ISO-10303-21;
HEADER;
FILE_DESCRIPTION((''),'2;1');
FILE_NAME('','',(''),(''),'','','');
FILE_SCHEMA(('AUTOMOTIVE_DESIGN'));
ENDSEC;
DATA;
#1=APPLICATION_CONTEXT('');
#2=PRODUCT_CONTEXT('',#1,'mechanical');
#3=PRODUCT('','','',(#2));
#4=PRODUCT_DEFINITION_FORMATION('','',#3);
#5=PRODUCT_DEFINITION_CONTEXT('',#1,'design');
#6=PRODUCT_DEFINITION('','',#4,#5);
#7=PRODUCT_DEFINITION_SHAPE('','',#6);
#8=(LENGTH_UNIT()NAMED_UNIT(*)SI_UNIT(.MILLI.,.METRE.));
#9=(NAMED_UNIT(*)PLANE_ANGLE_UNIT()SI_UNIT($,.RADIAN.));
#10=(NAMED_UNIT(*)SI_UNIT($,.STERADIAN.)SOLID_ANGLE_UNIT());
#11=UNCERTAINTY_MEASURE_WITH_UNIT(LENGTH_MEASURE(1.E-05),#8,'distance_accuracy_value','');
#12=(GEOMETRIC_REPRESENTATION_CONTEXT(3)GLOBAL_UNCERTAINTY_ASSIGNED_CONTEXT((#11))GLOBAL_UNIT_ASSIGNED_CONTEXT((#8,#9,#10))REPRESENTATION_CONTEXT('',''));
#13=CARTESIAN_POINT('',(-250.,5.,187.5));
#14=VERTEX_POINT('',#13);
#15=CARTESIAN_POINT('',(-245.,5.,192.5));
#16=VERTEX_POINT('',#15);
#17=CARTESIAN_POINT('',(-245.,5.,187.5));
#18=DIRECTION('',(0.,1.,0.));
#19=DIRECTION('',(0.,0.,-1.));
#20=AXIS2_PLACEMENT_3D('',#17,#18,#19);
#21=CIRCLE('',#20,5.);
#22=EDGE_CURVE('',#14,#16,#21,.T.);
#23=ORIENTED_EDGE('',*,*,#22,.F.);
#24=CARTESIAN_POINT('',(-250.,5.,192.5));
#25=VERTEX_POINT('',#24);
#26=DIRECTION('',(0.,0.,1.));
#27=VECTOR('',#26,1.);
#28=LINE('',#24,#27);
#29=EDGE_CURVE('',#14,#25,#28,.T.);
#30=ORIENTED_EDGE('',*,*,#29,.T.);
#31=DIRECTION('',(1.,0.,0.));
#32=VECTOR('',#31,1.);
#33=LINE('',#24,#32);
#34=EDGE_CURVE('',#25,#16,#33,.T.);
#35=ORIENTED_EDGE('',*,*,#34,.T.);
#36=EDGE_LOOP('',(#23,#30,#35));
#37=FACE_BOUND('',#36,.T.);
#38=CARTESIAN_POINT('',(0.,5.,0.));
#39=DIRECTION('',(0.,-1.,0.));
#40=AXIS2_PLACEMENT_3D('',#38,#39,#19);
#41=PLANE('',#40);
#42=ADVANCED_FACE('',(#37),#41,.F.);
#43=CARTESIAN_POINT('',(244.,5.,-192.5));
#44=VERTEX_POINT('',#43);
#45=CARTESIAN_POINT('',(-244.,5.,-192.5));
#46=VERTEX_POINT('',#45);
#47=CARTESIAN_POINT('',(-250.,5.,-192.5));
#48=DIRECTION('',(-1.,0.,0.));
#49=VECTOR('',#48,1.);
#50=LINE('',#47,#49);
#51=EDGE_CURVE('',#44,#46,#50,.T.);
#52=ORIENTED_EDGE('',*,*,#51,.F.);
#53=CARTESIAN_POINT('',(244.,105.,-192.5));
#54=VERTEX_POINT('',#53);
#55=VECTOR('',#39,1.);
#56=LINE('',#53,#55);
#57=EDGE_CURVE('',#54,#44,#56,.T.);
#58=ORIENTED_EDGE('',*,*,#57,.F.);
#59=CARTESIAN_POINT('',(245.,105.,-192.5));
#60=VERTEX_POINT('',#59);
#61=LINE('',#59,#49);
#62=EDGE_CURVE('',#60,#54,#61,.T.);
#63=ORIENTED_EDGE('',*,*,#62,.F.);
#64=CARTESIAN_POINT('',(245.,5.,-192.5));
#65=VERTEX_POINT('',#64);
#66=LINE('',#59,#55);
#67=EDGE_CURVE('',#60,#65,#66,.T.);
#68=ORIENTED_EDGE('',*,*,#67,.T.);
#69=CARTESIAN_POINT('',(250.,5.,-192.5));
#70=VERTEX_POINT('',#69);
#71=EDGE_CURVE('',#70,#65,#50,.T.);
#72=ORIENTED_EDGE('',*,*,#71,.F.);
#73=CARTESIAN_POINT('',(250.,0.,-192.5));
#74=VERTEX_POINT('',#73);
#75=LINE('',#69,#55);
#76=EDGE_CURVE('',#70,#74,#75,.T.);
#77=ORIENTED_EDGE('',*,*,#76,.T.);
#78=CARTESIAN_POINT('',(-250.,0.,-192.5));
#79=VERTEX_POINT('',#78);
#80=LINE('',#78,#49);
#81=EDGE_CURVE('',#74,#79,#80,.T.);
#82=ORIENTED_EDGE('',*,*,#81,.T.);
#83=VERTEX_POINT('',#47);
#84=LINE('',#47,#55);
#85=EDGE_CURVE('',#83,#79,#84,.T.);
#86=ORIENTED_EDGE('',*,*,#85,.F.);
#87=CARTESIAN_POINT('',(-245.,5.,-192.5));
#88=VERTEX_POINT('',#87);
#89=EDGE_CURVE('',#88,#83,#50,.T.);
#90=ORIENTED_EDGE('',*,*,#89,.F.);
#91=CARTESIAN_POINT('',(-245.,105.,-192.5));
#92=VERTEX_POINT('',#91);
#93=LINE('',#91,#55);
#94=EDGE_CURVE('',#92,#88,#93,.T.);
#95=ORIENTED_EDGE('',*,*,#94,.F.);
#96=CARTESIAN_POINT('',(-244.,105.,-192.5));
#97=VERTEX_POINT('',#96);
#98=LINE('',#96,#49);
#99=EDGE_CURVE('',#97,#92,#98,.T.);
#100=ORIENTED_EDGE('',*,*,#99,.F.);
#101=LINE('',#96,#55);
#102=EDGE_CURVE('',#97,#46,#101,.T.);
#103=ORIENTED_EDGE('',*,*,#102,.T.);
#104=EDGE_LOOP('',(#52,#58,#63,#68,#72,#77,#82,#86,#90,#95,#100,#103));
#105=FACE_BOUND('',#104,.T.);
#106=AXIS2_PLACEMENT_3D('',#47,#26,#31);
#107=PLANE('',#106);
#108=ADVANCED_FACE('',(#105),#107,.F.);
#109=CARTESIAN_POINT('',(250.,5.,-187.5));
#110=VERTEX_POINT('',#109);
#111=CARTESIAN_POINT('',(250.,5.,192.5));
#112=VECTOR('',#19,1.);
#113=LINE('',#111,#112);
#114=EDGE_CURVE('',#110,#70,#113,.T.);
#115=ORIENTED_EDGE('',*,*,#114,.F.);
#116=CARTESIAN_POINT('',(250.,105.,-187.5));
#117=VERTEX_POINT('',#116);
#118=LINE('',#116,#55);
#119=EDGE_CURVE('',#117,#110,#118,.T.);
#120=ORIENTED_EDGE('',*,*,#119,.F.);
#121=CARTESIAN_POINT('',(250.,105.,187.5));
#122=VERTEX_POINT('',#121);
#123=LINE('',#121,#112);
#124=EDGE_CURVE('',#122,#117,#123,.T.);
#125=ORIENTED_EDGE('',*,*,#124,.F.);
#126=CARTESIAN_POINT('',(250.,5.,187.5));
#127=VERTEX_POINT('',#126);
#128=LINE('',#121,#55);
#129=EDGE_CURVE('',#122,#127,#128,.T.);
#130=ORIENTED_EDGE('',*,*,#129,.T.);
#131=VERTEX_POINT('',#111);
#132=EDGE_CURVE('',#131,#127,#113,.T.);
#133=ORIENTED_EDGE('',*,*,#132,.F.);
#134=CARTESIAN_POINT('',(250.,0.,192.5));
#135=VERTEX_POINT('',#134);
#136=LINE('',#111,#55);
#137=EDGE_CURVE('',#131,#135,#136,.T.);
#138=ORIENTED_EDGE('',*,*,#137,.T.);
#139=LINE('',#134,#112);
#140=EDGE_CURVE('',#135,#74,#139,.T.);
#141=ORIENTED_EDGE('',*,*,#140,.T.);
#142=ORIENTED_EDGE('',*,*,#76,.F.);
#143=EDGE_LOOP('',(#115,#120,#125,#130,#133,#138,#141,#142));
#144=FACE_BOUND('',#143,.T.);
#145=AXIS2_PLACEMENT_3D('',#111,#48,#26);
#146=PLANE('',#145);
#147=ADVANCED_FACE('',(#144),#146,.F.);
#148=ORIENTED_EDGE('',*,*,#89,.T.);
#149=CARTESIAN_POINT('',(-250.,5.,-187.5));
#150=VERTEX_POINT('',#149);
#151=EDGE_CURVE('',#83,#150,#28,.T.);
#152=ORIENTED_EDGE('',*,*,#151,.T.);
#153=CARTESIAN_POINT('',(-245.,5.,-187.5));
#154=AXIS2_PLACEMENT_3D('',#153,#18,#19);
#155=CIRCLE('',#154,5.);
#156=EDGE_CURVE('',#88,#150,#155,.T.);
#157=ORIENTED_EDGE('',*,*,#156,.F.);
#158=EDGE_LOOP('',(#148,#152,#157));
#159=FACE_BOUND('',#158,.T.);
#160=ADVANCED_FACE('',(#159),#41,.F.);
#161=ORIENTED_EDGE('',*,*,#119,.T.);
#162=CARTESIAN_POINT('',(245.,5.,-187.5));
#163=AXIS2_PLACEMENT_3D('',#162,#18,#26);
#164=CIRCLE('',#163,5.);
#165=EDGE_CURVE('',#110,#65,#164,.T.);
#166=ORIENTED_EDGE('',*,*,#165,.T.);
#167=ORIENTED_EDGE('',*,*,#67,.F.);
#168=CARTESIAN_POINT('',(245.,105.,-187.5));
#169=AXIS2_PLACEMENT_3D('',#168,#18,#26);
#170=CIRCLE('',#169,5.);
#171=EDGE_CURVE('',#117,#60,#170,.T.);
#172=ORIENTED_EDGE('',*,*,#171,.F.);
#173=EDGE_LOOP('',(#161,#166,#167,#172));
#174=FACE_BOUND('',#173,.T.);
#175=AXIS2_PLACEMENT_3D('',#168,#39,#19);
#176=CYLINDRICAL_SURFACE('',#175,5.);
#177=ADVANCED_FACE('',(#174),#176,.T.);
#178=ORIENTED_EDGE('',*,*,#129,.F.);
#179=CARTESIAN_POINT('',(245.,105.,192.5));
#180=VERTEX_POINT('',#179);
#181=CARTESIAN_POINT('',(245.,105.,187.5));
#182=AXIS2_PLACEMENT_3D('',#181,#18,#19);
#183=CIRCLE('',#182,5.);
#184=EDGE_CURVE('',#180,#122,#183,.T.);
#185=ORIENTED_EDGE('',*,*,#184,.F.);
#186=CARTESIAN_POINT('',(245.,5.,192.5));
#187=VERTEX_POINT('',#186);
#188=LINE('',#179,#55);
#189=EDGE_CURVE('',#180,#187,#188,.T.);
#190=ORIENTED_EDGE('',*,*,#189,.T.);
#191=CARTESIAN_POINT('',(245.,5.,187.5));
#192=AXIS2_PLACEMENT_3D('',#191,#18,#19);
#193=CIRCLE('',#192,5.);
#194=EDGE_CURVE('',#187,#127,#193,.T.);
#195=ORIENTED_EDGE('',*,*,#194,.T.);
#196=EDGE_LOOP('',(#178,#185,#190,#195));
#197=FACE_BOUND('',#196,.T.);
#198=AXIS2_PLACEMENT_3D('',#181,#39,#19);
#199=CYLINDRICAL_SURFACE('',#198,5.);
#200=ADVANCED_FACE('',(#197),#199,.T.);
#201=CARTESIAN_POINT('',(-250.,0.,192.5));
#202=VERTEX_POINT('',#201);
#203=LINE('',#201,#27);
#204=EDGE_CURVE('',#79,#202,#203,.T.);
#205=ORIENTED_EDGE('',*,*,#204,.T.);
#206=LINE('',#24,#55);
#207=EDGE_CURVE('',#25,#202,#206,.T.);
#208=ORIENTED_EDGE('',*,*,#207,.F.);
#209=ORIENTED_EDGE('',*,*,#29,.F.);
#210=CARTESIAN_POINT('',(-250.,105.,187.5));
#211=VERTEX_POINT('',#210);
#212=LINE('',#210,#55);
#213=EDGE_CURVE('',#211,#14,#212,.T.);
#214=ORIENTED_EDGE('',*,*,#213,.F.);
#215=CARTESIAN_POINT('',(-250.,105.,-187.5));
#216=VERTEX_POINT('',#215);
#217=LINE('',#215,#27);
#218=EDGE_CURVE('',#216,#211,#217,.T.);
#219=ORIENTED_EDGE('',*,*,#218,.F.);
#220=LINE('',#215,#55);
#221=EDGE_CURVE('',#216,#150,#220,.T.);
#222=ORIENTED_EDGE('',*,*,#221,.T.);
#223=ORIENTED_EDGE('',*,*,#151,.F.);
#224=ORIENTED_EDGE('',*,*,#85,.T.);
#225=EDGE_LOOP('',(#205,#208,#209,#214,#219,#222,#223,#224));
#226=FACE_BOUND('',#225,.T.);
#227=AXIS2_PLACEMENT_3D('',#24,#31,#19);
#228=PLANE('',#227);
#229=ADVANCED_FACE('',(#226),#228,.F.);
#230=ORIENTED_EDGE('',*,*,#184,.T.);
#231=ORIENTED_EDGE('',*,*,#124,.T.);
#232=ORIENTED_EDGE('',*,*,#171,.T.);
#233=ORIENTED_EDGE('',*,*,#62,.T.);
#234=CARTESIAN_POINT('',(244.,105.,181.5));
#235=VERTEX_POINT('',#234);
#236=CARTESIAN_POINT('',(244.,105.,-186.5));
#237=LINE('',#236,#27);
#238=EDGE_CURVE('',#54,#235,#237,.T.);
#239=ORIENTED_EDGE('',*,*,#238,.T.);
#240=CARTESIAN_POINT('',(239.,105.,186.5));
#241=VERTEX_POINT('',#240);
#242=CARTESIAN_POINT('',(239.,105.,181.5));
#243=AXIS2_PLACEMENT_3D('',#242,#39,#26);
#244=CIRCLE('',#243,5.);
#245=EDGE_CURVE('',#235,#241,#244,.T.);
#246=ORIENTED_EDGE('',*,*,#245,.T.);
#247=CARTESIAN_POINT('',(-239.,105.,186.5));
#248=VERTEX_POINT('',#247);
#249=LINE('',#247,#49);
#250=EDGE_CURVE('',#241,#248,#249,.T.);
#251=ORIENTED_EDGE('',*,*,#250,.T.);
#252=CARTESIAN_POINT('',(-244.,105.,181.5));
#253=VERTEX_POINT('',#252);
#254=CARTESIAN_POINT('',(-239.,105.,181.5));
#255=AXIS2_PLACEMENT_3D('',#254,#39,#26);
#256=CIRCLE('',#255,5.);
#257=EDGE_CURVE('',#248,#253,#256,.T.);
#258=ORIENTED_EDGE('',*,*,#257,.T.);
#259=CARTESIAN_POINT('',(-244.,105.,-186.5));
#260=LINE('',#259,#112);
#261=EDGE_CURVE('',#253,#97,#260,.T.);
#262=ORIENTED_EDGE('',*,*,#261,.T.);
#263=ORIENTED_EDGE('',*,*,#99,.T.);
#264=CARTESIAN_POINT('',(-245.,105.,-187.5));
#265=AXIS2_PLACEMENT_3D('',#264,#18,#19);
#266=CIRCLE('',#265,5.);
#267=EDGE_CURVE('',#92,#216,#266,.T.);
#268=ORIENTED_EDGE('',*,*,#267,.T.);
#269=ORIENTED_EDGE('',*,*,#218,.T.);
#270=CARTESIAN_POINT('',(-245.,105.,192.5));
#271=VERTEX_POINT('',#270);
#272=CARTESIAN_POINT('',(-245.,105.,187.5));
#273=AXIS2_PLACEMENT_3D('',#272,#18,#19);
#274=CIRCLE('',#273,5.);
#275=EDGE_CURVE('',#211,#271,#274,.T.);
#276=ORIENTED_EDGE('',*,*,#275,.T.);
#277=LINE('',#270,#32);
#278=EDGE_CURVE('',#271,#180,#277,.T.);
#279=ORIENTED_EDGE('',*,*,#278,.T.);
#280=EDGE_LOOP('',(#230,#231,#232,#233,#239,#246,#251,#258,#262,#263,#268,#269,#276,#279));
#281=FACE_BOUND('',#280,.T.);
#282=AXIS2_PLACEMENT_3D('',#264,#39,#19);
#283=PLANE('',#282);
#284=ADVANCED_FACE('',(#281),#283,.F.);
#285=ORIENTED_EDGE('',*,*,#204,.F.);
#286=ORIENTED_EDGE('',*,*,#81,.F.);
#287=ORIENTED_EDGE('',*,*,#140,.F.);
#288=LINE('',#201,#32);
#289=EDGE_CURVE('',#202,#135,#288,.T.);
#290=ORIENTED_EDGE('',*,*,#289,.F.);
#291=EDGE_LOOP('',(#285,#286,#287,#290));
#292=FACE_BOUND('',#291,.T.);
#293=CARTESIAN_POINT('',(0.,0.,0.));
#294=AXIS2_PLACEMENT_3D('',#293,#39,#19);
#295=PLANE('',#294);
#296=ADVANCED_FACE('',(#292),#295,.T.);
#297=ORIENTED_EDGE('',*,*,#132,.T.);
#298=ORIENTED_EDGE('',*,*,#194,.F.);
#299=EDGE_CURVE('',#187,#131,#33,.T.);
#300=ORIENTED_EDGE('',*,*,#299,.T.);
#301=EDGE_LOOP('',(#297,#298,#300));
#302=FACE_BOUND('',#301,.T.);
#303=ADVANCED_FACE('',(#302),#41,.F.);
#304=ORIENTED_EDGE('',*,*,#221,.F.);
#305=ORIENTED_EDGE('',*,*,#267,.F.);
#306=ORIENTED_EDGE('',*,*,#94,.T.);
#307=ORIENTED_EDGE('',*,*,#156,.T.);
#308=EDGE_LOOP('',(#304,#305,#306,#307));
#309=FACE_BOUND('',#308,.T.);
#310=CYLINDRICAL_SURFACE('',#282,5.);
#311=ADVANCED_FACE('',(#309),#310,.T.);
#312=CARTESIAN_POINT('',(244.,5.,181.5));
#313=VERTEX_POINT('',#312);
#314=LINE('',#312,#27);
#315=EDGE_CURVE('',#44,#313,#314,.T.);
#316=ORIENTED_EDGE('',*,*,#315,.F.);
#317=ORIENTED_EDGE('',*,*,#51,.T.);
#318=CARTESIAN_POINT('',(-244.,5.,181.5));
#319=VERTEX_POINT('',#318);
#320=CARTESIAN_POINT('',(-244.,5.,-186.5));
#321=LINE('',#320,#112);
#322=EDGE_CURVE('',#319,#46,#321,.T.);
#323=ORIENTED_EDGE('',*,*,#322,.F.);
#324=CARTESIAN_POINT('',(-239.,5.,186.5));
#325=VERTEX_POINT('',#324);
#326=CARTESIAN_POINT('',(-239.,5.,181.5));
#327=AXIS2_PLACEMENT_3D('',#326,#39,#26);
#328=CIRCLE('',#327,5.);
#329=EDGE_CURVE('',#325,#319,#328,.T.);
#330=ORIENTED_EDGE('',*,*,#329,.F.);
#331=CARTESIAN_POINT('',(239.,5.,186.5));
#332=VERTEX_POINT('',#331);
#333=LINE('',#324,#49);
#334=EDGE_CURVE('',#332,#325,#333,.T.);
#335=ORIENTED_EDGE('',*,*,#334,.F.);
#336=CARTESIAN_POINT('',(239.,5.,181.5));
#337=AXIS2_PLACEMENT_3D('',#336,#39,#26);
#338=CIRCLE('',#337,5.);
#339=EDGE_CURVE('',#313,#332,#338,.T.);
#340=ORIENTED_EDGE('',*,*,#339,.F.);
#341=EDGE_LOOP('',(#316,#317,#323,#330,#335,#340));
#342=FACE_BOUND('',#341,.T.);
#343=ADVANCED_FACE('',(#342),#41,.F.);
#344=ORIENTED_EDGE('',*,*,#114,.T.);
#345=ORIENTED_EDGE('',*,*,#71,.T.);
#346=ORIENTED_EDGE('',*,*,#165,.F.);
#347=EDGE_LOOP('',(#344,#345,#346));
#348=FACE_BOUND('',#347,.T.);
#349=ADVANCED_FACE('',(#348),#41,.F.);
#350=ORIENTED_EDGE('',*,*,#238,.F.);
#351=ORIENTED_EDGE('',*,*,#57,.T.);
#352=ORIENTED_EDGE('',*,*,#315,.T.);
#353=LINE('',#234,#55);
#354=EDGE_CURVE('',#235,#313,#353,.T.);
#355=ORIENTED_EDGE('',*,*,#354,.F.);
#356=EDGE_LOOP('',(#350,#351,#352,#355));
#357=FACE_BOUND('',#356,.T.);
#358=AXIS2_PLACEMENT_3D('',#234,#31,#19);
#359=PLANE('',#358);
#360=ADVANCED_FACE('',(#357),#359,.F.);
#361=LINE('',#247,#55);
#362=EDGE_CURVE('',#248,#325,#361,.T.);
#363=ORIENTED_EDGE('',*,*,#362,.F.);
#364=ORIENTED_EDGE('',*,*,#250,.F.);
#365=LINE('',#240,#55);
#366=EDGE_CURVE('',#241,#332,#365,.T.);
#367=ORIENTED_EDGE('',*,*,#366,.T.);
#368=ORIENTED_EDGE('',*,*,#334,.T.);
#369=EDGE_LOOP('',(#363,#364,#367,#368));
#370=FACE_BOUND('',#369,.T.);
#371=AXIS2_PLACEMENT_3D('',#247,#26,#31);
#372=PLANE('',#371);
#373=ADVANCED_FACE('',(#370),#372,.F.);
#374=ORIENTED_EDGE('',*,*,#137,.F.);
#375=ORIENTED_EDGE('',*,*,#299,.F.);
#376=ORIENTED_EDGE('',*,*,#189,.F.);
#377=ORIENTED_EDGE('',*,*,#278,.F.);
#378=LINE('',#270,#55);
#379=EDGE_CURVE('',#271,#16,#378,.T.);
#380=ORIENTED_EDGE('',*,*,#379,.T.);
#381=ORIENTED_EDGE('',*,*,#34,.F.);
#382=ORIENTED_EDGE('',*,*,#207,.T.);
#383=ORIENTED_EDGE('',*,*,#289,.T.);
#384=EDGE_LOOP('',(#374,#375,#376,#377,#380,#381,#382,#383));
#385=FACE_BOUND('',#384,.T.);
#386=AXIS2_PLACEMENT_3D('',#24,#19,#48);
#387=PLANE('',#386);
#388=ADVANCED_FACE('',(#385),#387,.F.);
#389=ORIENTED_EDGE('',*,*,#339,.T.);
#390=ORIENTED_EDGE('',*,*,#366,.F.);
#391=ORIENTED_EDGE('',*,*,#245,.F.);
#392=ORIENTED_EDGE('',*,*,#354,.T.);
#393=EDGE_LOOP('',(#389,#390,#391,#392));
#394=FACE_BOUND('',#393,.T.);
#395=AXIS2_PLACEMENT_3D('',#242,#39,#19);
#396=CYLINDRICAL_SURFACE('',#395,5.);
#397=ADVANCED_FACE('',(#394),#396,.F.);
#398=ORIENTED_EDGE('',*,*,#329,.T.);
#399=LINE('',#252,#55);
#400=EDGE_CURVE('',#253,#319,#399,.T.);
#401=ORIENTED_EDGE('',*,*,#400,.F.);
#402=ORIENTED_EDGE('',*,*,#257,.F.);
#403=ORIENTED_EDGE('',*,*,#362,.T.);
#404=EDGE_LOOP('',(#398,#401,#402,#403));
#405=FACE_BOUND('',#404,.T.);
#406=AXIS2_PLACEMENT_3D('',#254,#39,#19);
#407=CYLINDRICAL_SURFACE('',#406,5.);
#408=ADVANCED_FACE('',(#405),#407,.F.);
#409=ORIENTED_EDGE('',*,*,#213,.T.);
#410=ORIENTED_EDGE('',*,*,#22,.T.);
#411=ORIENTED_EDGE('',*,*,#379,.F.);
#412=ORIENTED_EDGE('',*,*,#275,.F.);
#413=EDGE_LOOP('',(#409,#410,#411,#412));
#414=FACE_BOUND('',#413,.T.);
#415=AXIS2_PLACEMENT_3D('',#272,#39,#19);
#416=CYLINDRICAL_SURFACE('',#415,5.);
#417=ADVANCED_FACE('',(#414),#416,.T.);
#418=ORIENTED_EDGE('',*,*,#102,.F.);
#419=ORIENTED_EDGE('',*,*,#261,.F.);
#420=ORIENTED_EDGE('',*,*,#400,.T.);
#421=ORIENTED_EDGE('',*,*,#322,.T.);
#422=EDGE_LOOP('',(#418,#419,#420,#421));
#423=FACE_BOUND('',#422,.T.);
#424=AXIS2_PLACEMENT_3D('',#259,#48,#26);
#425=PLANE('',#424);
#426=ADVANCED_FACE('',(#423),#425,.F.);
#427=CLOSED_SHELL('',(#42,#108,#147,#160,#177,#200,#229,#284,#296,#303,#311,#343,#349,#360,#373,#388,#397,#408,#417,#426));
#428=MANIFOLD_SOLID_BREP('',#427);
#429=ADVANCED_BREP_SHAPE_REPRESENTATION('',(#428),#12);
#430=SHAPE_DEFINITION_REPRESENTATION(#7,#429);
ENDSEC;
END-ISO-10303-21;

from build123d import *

# Parameters (mm, degrees)
CROQUIS1_W              = 500
CROQUIS1_H              = 385
SALIENTE_EXTRUIR1_DEPTH = 5
SALIENTE_EXTRUIR2_DEPTH = 100


with BuildPart() as part:
    # Croquis1 → Saliente-Extruir1 (new body)
    with BuildSketch(Plane(origin=(0, 0, 0), x_dir=(1, 0, 0), z_dir=(0, 1, 0))):
        Rectangle(CROQUIS1_W, CROQUIS1_H)
    extrude(amount=SALIENTE_EXTRUIR1_DEPTH)

    # Croquis2 → Saliente-Extruir2 (add)
    with BuildSketch(Plane(origin=(0, 5, 0), x_dir=(1, 0, 0), z_dir=(0, 1, 0))):
        with BuildLine():
            Line((-244, 186.5), (-244, -181.5))
            ThreePointArc((-244, -181.5), (-242.535533906, -185.035533906), (-239, -186.5))
            Line((-239, -186.5), (239, -186.5))
            ThreePointArc((239, -186.5), (242.535533906, -185.035533906), (244, -181.5))
            Line((244, -181.5), (244, 186.5))
            Line((244, 186.5), (244, 192.5))
            Line((244, 192.5), (245, 192.5))
            ThreePointArc((245, 192.5), (248.535533906, 191.035533906), (250, 187.5))
            Line((250, 187.5), (250, -187.5))
            ThreePointArc((250, -187.5), (248.535533906, -191.035533906), (245, -192.5))
            Line((245, -192.5), (-245, -192.5))
            ThreePointArc((-245, -192.5), (-248.535533906, -191.035533906), (-250, -187.5))
            Line((-250, -187.5), (-250, 187.5))
            ThreePointArc((-250, 187.5), (-248.535533906, 191.035533906), (-245, 192.5))
            Line((-245, 192.5), (-244, 192.5))
            Line((-244, 192.5), (-244, 186.5))
        make_face()
    extrude(amount=SALIENTE_EXTRUIR2_DEPTH)


solid = part.part
